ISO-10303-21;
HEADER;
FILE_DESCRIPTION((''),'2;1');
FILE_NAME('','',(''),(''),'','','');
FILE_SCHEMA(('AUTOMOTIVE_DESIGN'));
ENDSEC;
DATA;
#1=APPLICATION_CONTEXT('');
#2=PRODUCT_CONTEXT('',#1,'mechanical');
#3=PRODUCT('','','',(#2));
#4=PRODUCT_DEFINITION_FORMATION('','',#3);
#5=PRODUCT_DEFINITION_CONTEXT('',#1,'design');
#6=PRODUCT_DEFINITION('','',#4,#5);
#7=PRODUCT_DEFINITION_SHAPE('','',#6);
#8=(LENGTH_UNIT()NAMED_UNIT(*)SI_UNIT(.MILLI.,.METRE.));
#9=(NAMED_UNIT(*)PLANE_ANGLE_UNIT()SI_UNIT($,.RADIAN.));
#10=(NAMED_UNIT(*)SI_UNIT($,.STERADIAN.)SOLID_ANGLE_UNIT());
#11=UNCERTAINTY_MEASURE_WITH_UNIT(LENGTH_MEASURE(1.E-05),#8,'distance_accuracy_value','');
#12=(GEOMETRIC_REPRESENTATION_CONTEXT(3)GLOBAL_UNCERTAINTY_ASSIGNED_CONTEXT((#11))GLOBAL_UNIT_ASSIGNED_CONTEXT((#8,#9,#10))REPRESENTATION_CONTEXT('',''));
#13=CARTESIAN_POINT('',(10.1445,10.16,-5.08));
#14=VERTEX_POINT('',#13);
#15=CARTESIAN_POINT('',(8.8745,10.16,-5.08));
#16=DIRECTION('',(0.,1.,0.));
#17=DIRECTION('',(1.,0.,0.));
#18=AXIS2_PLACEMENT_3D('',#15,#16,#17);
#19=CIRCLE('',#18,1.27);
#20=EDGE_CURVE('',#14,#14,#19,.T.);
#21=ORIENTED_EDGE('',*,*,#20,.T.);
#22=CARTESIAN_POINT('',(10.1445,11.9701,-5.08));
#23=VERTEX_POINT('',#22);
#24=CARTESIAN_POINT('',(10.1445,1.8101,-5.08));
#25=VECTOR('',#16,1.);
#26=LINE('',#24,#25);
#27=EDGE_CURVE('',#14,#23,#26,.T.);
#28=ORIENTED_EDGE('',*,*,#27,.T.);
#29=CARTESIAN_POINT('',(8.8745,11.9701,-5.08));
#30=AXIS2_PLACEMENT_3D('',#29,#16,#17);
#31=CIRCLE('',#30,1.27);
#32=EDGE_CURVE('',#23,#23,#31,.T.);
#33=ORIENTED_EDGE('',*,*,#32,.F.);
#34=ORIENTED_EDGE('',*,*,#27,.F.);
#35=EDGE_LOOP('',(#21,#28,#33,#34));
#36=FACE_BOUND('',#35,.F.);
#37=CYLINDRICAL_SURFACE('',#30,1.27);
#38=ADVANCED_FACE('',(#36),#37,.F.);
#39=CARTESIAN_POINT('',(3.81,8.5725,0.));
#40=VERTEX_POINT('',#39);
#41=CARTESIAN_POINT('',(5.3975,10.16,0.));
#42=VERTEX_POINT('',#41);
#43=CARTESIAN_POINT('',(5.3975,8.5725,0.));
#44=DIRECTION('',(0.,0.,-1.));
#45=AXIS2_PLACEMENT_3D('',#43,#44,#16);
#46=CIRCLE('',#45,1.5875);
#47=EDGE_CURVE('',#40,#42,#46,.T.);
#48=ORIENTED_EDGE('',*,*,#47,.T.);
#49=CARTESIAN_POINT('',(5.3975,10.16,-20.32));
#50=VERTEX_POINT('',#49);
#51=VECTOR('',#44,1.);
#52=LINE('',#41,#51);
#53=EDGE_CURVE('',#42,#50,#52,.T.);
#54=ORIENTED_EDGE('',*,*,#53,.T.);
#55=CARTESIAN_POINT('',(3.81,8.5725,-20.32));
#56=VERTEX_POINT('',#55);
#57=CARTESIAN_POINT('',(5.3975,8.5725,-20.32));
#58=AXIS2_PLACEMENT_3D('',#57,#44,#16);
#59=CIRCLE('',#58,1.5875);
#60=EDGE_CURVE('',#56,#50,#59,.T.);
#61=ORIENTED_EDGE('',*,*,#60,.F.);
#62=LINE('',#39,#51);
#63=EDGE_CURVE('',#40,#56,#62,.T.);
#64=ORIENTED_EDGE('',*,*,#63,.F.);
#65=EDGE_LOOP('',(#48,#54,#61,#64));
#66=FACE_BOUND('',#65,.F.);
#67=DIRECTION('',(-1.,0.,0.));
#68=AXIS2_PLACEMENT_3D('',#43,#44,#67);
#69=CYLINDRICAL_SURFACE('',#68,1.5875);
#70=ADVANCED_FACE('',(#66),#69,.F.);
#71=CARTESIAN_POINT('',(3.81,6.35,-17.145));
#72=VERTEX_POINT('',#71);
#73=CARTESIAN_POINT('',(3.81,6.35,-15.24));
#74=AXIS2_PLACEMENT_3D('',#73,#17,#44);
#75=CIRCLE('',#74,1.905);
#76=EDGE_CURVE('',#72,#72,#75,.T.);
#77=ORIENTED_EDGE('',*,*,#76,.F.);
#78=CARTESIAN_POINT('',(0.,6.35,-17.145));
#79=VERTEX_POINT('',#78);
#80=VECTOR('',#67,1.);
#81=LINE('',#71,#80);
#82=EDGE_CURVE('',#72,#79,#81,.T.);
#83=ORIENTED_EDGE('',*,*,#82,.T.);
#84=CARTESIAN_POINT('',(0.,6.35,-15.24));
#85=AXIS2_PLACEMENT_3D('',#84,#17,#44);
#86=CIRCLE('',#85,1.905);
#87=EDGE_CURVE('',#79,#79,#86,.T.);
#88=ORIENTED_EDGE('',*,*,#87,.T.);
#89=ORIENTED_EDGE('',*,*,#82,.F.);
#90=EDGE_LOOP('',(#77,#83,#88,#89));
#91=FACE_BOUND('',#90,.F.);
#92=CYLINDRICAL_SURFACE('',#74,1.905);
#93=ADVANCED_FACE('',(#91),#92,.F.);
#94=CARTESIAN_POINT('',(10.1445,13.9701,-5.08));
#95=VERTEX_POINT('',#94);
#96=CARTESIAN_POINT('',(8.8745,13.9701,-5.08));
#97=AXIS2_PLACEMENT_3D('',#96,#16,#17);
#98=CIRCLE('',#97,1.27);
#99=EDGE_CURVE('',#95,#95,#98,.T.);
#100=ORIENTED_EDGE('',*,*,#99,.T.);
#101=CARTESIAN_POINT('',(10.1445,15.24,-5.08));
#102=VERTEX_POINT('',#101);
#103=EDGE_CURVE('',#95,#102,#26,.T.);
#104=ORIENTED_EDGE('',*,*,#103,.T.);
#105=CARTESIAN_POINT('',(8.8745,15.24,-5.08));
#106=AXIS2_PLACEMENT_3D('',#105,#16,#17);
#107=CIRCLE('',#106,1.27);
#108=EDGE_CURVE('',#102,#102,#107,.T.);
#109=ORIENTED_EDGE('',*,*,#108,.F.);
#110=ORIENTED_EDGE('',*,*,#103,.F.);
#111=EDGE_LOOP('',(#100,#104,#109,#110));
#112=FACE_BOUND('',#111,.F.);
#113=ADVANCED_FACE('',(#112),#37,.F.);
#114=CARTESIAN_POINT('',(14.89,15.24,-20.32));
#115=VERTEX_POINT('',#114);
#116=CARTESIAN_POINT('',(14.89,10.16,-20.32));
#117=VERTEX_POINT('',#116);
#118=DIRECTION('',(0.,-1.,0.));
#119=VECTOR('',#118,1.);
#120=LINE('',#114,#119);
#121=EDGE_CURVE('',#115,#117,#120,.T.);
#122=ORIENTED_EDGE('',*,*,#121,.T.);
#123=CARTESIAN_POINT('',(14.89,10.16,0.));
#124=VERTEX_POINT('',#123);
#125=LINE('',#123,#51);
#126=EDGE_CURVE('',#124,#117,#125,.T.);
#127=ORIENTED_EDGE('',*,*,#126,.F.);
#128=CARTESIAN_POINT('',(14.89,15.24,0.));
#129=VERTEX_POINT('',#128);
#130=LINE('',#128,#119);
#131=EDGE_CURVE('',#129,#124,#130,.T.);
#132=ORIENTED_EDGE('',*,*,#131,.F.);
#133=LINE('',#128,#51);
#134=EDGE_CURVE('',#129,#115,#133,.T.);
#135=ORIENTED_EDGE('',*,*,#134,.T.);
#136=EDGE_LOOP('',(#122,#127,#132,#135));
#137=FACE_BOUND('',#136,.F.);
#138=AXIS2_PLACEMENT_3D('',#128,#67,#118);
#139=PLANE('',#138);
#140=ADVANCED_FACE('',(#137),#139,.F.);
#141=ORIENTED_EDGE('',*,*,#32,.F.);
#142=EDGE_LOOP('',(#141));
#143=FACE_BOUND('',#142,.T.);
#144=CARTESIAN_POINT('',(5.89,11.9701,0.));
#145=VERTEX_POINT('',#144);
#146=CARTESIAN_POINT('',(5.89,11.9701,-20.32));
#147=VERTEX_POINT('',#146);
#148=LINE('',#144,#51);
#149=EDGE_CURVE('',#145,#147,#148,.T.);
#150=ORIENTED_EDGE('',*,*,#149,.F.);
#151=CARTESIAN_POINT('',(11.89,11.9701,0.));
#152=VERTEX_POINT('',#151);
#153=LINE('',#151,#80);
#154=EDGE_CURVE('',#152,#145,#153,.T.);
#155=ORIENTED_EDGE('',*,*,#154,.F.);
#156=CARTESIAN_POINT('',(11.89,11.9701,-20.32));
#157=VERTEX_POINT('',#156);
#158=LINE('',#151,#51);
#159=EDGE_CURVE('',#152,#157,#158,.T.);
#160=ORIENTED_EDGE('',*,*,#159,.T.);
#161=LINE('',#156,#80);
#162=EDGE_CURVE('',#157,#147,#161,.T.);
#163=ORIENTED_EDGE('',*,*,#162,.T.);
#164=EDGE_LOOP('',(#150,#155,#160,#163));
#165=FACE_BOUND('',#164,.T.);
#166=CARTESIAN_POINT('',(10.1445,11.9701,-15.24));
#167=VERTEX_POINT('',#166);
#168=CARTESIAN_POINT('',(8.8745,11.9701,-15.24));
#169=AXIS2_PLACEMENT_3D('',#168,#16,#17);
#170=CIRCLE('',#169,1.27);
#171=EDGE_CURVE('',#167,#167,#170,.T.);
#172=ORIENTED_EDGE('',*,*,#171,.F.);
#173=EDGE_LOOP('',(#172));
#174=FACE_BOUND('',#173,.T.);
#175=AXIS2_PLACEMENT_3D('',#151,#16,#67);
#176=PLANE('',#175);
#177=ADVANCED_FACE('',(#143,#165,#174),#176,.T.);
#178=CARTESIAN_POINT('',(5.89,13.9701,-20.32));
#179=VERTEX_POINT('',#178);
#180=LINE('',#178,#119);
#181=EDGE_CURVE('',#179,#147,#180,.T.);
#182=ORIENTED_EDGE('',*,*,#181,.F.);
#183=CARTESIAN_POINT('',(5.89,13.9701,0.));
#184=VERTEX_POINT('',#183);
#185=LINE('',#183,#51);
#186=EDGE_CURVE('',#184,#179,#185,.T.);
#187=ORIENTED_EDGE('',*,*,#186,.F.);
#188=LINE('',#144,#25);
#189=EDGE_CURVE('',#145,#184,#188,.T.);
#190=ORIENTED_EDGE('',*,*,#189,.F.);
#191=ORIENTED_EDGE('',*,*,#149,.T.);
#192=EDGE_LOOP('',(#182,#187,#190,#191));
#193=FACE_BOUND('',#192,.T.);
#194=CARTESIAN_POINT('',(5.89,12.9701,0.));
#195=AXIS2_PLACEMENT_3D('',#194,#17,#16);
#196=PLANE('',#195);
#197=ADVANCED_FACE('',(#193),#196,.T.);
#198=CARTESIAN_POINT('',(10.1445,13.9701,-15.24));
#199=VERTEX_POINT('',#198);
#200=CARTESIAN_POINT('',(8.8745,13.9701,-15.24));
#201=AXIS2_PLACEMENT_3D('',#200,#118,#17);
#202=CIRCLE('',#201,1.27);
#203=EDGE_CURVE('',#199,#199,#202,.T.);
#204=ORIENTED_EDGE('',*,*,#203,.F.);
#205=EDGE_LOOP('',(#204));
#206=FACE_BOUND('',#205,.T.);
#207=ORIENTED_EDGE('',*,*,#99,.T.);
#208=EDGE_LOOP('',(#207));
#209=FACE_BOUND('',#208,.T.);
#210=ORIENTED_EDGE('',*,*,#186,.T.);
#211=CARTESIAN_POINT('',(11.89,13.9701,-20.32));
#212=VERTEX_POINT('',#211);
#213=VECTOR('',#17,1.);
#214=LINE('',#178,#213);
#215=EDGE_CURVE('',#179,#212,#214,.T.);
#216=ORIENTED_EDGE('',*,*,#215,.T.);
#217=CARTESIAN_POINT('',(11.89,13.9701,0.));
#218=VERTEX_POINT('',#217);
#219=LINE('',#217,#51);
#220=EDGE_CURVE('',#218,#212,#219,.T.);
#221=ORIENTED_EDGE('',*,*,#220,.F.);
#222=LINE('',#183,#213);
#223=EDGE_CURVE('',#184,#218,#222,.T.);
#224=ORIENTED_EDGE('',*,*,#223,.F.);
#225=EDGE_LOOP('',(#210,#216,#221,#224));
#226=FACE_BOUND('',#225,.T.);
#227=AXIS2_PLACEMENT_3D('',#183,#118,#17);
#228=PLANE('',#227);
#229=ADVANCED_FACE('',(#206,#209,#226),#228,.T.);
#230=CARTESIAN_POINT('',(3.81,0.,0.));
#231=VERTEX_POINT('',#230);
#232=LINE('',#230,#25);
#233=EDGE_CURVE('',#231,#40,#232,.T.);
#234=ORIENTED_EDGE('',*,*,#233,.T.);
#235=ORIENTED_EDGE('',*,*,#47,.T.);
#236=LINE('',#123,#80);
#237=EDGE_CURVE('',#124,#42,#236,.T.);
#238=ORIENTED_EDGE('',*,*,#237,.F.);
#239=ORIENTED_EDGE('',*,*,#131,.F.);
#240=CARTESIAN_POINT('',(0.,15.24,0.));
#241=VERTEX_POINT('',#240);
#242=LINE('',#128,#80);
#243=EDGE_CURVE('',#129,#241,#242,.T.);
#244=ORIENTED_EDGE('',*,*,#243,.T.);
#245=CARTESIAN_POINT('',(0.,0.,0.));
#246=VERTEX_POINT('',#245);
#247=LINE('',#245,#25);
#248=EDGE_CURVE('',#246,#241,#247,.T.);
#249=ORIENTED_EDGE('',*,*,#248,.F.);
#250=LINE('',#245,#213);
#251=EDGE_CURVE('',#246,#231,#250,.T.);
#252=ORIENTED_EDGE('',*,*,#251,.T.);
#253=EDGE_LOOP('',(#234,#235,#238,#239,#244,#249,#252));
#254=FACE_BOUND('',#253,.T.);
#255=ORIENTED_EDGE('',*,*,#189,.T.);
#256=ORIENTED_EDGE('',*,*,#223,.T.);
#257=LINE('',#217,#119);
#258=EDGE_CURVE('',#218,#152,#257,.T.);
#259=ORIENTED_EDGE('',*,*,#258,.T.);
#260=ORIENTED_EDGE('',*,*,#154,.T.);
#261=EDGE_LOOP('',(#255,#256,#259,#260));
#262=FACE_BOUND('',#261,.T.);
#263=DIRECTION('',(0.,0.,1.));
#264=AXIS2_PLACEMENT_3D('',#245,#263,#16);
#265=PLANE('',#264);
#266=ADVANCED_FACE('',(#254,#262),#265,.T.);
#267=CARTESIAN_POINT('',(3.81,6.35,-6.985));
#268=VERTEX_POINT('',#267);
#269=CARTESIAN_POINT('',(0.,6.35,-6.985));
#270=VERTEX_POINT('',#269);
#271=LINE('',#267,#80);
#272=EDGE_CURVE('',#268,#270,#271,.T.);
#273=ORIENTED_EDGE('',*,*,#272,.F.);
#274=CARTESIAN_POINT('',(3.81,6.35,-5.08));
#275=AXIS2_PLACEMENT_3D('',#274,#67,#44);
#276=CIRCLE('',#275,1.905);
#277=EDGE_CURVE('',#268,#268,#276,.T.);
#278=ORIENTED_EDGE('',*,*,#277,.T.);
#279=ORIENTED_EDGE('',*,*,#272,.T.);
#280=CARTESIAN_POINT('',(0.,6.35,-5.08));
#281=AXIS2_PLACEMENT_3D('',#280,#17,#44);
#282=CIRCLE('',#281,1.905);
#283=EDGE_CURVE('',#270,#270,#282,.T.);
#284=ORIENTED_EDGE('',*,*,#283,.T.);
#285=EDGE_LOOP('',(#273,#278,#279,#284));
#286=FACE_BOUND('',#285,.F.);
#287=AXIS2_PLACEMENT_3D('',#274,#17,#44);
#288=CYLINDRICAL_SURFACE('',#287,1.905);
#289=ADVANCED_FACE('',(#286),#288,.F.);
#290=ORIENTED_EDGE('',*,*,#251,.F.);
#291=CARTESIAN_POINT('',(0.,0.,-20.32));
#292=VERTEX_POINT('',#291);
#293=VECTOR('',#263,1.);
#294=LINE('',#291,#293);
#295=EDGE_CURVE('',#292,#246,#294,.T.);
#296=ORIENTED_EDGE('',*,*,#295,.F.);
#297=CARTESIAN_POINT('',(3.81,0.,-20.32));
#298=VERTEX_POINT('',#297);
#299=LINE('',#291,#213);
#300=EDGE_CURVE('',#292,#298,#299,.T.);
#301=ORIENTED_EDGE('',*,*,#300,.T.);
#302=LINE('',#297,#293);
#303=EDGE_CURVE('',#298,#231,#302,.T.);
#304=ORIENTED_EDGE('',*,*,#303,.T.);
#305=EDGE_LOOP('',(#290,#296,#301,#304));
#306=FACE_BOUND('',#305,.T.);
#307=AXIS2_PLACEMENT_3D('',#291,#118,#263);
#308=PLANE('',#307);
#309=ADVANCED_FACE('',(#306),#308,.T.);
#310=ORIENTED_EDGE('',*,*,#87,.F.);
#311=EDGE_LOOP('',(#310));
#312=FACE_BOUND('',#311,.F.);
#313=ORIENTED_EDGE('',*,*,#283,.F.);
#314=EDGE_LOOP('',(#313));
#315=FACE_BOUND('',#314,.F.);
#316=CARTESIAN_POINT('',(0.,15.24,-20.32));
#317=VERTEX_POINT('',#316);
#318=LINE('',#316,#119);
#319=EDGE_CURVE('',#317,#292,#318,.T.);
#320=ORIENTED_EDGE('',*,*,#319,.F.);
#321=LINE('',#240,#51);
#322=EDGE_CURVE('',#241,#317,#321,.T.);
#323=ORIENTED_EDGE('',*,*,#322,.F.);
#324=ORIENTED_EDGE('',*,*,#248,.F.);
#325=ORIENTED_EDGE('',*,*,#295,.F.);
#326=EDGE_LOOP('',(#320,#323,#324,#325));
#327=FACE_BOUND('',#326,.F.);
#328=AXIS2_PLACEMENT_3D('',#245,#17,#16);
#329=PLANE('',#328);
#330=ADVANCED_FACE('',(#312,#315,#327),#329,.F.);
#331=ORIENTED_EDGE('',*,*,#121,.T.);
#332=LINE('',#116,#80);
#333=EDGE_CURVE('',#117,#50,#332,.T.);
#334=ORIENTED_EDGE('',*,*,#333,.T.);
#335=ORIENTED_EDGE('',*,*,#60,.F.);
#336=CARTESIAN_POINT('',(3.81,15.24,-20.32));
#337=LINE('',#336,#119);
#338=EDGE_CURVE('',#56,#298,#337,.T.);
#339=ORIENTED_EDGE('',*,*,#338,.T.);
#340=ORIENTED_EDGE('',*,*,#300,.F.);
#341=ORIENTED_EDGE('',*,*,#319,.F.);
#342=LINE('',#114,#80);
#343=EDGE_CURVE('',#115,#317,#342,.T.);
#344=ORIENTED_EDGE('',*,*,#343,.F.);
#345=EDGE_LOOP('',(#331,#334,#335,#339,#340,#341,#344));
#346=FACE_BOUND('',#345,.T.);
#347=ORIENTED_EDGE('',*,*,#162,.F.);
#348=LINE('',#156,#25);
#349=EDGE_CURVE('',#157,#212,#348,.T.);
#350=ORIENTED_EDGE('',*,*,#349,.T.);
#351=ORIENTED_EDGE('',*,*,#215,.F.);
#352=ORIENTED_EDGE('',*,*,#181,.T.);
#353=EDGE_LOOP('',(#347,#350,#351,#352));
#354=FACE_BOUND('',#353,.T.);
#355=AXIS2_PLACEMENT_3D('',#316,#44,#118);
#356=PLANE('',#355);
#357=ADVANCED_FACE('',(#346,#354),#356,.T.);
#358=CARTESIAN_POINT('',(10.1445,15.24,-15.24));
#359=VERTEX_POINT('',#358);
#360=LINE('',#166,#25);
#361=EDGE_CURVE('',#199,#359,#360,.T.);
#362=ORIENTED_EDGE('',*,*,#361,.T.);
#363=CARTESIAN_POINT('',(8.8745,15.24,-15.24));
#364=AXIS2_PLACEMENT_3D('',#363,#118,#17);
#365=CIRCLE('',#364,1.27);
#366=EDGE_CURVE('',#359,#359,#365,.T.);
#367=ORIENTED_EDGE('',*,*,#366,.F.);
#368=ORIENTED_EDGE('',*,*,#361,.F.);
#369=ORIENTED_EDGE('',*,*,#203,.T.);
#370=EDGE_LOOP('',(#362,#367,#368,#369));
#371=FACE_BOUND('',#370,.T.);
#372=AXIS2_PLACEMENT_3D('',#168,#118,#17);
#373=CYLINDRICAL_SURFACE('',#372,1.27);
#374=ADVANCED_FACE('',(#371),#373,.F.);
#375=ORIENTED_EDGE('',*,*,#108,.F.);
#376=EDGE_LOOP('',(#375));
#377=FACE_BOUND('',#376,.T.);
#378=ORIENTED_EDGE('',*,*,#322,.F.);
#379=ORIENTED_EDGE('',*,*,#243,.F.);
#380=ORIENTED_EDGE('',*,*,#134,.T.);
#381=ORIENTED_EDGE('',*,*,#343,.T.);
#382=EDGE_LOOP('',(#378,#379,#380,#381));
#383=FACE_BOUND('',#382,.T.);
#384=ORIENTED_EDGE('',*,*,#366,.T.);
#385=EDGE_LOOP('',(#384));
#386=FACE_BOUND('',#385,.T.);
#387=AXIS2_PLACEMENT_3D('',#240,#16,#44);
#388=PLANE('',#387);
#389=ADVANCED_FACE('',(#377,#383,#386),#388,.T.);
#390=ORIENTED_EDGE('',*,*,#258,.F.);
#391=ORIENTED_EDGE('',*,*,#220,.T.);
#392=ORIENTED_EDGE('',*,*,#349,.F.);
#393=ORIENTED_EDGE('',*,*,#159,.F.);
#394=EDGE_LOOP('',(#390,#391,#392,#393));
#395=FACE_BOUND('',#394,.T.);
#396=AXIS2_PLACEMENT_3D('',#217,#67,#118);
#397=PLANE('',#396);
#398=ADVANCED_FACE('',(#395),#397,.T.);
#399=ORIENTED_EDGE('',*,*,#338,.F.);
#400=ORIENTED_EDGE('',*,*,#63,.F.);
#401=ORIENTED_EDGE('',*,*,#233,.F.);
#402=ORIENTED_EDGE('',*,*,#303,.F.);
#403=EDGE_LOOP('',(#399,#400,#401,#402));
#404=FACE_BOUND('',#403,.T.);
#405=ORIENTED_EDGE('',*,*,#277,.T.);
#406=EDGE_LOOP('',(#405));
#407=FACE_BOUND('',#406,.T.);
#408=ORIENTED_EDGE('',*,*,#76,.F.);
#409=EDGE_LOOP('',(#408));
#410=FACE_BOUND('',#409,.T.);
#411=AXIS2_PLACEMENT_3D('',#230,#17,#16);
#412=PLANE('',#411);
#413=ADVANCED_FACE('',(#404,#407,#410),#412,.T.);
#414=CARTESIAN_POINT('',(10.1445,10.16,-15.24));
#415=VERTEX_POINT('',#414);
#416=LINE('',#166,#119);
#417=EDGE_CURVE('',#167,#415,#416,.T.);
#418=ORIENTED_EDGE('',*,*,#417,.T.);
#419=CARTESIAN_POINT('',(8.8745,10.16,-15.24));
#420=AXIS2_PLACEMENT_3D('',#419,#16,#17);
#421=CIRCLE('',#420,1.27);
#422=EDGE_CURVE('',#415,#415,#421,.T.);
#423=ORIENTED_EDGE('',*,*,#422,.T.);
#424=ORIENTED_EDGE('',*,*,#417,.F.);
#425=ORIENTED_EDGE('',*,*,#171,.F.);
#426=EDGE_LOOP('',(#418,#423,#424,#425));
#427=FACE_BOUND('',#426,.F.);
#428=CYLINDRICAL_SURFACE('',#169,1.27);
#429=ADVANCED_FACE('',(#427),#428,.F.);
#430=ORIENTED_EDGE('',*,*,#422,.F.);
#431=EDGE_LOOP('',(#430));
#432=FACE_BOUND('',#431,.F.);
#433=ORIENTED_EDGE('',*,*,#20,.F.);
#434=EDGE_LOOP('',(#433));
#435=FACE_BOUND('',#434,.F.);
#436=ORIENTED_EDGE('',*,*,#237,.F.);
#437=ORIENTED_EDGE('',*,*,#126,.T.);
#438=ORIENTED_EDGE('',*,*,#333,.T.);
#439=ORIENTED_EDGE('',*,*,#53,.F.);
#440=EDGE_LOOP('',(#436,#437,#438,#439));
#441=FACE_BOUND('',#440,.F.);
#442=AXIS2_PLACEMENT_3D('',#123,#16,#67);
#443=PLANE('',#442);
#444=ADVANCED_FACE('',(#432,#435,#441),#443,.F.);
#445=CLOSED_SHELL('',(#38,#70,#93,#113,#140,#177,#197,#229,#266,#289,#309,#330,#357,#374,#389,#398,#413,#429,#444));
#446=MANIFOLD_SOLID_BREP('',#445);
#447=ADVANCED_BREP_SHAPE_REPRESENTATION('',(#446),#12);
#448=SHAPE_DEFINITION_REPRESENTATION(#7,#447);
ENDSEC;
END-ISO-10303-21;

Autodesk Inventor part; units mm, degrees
ref_plane "YZ Plane" through (0, 0, 0) normal (1, 0, 0) x (0, 1, 0)
ref_plane "XZ Plane" through (0, 0, 0) normal (0, 1, 0) x (-1, 0, 0)
ref_plane "XY Plane" through (0, 0, 0) normal (0, 0, 1) x (1, 0, 0)
sketch "Sketch1" plane through (0, 0, 0) normal (1, 0, 0) x (0, 1, 0)
  line L0 (0, 0) -> (15.24, 0)
  line L1 (15.24, 0) -> (15.24, -20.32)
  line L2 (15.24, -20.32) -> (0, -20.32)
  line L3 (0, -20.32) -> (0, 0)
  dimension "d0" = 15.24
  dimension "d1" = 20.32
extrude "Extrusion1" add sketch "Sketch1" along normal blind 3.81
sketch "Sketch2" plane through (0, 0, 0) normal (0, 0, 1) x (1, 0, 0)
  line L0 (3.81, 15.24) -> (8.89, 15.24)
  line L1 (8.89, 15.24) -> (14.89, 15.24)
  line L2 (14.89, 15.24) -> (14.89, 10.16)
  line L3 (14.89, 10.16) -> (3.81, 10.16)
  line L4 (3.81, 15.24) -> (3.81, 0) projected
  line L5 (8.89, 12.9701) -> (11.89, 12.9701)
  line L6 (11.89, 12.9701) -> (11.89, 11.9701)
  line L7 (11.89, 11.9701) -> (5.89, 11.9701)
  line L8 (5.89, 11.9701) -> (5.89, 12.9701)
  line L9 (5.89, 12.9701) -> (5.89, 13.9701)
  line L10 (5.89, 13.9701) -> (11.89, 13.9701)
  line L11 (11.89, 13.9701) -> (11.89, 12.9701)
  line L12 (3.81, 15.24) -> (3.81, 10.16)
  line L13 (0, 12.9701) -> (3.81, 12.9701)
  line L14 (5.89, 12.9701) -> (8.89, 12.9701)
  point P0 (0, 0)
  point P1 (0, 15.24)
  dimension "d4" = 8.89
  dimension "d5" = 6
  dimension "d6" = 5.08
  dimension "d7" = 8.89
  dimension "d8" = 3
  dimension "d9" = 1
  dimension "d10" = 6
  dimension "d11" = 1
extrude "Extrusion2" add sketch "Sketch2" against normal blind 20.32
sketch "Sketch3" plane through (5.89, 11.9701, 0) normal (0, 1, 0) x (1, 0, 0)
  line L0 (0, 0) -> (0, 5.08)
  line L1 (0, 0) -> (0, 20.32) projected
  line L2 (0, 5.08) -> (2.9845, 5.08)
  line L3 (6, 0) -> (6, 20.32) projected
  circle A0 centre (2.9845, 5.08) radius 1.27
  line L4 (-2.08, 0) -> (-2.08, 10.16)
  line L5 (-2.08, 0) -> (-2.08, 20.32) projected
  line L6 (-2.08, 10.16) -> (2.0052, 10.16)
  circle A1 centre (2.9845, 15.24) radius 1.27
  point P0 (-5.89, 0)
  dimension "d14" = 5.08
  dimension "d15" = 2.9845
  dimension "d16" = 2.54
  dimension "d17" = 10.16
extrude "Extrusion3" cut sketch "Sketch3" along normal mid plane 20.32
sketch "Sketch4" plane through (3.81, 0, 0) normal (1, 0, 0) x (0, 0, -1)
  line L0 (0, 0) -> (0, 6.35)
  line L1 (0, 10.16) -> (0, 0) projected
  line L2 (0, 6.35) -> (5.08, 6.35)
  circle A0 centre (5.08, 6.35) radius 1.905
  line L3 (0, 0) -> (10.16, 0)
  line L4 (0, 0) -> (20.32, 0) projected
  line L5 (10.16, 0) -> (10.16, 4.445)
  circle A1 centre (15.24, 6.35) radius 1.905
  dimension "d20" = 6.35
  dimension "d21" = 5.08
  dimension "d22" = 3.81
  dimension "d23" = 10.16
extrude "Extrusion4" cut sketch "Sketch4" against normal blind 20.32
fillet "Fillet1" radius 1.5875 1 edges at (3.81, 10.16, -10.16)
properties part number "ExtruderTimingBeltHolder"
